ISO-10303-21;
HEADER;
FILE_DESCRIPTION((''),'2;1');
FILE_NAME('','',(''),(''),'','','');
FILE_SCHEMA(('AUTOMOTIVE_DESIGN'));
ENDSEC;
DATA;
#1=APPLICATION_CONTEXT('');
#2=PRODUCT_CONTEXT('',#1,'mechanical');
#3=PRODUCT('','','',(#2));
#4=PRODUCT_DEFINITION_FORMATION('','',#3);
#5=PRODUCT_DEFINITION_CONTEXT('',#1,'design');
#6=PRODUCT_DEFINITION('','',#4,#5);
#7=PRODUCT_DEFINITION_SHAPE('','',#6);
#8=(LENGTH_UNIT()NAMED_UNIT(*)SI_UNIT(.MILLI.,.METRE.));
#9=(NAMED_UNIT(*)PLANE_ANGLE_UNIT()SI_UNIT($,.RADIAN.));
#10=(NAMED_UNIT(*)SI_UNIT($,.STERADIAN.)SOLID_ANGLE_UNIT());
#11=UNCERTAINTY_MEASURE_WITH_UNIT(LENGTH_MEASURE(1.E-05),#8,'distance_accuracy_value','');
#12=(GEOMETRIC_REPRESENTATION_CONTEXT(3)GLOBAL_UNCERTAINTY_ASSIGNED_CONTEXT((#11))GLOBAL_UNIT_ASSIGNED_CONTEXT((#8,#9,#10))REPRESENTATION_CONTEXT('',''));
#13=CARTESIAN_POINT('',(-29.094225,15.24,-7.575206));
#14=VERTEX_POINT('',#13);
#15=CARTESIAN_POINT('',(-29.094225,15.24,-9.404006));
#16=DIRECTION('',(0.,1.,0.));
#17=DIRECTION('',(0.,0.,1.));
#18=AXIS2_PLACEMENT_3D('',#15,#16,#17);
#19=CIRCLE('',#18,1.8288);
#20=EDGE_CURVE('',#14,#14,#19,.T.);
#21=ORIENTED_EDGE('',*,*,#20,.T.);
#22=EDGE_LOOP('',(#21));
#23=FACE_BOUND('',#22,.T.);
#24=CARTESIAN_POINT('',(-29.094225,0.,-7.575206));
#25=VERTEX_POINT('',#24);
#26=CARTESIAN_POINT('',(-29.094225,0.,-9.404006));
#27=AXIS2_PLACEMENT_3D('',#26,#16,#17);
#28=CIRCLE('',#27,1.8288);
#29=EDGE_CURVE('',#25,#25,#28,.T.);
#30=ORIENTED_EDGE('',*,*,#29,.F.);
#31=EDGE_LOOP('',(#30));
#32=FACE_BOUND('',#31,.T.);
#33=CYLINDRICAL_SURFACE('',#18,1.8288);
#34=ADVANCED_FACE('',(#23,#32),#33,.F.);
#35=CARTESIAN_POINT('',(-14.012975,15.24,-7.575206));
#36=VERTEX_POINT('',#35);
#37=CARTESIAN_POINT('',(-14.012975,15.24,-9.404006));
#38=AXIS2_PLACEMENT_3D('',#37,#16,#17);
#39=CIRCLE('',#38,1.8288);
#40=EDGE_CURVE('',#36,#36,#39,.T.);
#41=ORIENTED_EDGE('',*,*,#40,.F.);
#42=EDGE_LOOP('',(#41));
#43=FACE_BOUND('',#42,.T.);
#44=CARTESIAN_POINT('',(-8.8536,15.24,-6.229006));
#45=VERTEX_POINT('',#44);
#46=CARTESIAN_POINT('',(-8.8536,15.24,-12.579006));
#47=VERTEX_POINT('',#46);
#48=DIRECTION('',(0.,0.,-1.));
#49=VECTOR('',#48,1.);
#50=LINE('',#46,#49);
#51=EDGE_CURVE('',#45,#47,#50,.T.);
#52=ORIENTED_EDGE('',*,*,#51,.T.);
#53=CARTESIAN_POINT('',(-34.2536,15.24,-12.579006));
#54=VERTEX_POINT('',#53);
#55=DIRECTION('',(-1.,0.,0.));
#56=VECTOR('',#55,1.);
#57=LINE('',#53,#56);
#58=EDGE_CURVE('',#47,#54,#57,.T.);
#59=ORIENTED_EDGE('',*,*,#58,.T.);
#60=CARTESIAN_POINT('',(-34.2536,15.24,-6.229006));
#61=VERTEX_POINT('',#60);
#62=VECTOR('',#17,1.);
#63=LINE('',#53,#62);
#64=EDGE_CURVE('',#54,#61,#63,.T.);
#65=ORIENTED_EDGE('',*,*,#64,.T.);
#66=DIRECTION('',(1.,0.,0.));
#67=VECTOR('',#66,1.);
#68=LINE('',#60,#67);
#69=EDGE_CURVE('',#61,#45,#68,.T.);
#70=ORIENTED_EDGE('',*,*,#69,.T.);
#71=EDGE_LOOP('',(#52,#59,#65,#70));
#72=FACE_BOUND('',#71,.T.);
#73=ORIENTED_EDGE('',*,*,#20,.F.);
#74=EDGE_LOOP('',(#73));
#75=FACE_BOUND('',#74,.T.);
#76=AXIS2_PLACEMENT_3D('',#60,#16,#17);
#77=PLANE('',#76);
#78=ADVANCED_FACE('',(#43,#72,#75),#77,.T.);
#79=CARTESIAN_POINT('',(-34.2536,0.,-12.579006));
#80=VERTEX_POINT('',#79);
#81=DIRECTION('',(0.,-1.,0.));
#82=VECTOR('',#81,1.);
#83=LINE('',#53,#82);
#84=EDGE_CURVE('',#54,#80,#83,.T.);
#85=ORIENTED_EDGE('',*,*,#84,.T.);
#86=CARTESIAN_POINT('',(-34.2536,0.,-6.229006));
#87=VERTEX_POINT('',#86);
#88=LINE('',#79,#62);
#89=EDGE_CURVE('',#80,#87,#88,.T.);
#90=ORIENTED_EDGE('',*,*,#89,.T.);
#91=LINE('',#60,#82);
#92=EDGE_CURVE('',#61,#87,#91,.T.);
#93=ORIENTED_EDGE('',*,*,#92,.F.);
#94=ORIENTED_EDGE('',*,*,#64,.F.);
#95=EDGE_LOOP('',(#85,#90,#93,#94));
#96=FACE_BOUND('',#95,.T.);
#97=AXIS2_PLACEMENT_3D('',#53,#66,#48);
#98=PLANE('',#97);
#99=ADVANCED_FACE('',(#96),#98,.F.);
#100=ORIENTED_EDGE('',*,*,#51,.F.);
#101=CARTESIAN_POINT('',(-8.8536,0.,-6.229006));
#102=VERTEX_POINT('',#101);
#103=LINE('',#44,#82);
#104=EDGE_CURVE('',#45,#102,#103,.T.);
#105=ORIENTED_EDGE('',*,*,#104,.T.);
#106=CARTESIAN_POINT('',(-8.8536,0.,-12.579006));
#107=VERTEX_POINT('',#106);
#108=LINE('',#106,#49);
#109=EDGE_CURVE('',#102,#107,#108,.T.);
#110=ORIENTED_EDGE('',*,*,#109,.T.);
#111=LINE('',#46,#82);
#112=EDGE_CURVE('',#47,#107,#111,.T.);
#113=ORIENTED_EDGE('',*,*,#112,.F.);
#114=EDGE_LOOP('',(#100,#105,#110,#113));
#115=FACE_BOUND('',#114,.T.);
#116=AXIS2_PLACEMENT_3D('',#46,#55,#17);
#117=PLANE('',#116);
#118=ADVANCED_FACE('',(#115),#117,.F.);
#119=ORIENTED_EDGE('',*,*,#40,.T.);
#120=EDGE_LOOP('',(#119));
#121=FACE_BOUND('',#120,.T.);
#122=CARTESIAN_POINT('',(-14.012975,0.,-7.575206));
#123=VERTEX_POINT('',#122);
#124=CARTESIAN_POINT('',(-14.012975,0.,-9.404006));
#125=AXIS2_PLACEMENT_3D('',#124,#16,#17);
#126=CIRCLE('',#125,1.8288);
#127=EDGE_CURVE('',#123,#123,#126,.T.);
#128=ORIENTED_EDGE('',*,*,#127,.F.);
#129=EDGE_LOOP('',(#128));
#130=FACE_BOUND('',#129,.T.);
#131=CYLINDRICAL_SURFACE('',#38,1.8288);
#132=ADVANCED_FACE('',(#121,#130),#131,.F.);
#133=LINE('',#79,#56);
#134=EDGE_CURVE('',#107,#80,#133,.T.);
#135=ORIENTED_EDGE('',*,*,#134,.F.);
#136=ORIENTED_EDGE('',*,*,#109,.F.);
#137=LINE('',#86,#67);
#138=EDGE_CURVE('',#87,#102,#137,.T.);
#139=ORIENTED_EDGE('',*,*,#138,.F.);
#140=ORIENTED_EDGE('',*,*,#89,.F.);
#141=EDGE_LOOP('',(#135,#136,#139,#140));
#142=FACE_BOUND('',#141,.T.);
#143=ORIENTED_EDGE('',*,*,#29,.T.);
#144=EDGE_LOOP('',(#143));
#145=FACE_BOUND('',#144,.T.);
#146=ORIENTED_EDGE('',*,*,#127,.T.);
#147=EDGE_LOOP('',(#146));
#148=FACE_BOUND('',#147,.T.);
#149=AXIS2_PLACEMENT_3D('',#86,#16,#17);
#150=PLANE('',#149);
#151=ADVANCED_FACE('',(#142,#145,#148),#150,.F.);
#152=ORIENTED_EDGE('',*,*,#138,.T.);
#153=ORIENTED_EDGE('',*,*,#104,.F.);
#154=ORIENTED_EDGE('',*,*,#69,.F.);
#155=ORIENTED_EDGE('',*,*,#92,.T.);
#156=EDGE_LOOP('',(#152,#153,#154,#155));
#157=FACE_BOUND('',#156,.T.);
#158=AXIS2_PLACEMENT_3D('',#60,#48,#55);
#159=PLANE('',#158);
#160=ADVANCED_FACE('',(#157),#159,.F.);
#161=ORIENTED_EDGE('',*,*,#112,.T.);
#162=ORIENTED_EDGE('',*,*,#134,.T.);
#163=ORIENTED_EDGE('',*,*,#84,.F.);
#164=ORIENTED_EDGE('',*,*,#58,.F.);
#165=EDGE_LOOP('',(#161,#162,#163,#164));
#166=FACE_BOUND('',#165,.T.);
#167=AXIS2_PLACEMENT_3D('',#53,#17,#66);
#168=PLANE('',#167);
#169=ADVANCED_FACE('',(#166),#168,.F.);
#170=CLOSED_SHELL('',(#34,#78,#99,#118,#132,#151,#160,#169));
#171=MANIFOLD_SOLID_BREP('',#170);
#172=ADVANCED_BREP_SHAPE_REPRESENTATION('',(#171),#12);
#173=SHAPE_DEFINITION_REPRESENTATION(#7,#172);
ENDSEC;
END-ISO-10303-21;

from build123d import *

# Parameters (mm, degrees)
SKETCH1_W                 = 25.4
SKETCH1_H                 = 6.35
BOSS_EXTRUDE1_DEPTH       = 15.24
F_6_CLEARANCE_HOLE1_D     = 3.6576
F_6_CLEARANCE_HOLE1_DEPTH = 15.24


with BuildPart() as part:
    # Sketch1 → Boss-Extrude1 (new body)
    with BuildSketch(Plane(origin=(0, 0, 0), x_dir=(1, 0, 0), z_dir=(0, 1, 0))):
        with Locations((-21.553599873, 9.404005603)):
            Rectangle(SKETCH1_W, SKETCH1_H)
    extrude(amount=BOSS_EXTRUDE1_DEPTH)

    # #6 Clearance Hole1
    with Locations(Plane(origin=(0, 15.24, 0), x_dir=(-1, 0, 0), z_dir=(0, 1, 0))):
        with Locations((29.094224873, -9.404005603), (14.012974873, -9.404005603)):
            Hole(F_6_CLEARANCE_HOLE1_D / 2, depth=F_6_CLEARANCE_HOLE1_DEPTH)


solid = part.part
